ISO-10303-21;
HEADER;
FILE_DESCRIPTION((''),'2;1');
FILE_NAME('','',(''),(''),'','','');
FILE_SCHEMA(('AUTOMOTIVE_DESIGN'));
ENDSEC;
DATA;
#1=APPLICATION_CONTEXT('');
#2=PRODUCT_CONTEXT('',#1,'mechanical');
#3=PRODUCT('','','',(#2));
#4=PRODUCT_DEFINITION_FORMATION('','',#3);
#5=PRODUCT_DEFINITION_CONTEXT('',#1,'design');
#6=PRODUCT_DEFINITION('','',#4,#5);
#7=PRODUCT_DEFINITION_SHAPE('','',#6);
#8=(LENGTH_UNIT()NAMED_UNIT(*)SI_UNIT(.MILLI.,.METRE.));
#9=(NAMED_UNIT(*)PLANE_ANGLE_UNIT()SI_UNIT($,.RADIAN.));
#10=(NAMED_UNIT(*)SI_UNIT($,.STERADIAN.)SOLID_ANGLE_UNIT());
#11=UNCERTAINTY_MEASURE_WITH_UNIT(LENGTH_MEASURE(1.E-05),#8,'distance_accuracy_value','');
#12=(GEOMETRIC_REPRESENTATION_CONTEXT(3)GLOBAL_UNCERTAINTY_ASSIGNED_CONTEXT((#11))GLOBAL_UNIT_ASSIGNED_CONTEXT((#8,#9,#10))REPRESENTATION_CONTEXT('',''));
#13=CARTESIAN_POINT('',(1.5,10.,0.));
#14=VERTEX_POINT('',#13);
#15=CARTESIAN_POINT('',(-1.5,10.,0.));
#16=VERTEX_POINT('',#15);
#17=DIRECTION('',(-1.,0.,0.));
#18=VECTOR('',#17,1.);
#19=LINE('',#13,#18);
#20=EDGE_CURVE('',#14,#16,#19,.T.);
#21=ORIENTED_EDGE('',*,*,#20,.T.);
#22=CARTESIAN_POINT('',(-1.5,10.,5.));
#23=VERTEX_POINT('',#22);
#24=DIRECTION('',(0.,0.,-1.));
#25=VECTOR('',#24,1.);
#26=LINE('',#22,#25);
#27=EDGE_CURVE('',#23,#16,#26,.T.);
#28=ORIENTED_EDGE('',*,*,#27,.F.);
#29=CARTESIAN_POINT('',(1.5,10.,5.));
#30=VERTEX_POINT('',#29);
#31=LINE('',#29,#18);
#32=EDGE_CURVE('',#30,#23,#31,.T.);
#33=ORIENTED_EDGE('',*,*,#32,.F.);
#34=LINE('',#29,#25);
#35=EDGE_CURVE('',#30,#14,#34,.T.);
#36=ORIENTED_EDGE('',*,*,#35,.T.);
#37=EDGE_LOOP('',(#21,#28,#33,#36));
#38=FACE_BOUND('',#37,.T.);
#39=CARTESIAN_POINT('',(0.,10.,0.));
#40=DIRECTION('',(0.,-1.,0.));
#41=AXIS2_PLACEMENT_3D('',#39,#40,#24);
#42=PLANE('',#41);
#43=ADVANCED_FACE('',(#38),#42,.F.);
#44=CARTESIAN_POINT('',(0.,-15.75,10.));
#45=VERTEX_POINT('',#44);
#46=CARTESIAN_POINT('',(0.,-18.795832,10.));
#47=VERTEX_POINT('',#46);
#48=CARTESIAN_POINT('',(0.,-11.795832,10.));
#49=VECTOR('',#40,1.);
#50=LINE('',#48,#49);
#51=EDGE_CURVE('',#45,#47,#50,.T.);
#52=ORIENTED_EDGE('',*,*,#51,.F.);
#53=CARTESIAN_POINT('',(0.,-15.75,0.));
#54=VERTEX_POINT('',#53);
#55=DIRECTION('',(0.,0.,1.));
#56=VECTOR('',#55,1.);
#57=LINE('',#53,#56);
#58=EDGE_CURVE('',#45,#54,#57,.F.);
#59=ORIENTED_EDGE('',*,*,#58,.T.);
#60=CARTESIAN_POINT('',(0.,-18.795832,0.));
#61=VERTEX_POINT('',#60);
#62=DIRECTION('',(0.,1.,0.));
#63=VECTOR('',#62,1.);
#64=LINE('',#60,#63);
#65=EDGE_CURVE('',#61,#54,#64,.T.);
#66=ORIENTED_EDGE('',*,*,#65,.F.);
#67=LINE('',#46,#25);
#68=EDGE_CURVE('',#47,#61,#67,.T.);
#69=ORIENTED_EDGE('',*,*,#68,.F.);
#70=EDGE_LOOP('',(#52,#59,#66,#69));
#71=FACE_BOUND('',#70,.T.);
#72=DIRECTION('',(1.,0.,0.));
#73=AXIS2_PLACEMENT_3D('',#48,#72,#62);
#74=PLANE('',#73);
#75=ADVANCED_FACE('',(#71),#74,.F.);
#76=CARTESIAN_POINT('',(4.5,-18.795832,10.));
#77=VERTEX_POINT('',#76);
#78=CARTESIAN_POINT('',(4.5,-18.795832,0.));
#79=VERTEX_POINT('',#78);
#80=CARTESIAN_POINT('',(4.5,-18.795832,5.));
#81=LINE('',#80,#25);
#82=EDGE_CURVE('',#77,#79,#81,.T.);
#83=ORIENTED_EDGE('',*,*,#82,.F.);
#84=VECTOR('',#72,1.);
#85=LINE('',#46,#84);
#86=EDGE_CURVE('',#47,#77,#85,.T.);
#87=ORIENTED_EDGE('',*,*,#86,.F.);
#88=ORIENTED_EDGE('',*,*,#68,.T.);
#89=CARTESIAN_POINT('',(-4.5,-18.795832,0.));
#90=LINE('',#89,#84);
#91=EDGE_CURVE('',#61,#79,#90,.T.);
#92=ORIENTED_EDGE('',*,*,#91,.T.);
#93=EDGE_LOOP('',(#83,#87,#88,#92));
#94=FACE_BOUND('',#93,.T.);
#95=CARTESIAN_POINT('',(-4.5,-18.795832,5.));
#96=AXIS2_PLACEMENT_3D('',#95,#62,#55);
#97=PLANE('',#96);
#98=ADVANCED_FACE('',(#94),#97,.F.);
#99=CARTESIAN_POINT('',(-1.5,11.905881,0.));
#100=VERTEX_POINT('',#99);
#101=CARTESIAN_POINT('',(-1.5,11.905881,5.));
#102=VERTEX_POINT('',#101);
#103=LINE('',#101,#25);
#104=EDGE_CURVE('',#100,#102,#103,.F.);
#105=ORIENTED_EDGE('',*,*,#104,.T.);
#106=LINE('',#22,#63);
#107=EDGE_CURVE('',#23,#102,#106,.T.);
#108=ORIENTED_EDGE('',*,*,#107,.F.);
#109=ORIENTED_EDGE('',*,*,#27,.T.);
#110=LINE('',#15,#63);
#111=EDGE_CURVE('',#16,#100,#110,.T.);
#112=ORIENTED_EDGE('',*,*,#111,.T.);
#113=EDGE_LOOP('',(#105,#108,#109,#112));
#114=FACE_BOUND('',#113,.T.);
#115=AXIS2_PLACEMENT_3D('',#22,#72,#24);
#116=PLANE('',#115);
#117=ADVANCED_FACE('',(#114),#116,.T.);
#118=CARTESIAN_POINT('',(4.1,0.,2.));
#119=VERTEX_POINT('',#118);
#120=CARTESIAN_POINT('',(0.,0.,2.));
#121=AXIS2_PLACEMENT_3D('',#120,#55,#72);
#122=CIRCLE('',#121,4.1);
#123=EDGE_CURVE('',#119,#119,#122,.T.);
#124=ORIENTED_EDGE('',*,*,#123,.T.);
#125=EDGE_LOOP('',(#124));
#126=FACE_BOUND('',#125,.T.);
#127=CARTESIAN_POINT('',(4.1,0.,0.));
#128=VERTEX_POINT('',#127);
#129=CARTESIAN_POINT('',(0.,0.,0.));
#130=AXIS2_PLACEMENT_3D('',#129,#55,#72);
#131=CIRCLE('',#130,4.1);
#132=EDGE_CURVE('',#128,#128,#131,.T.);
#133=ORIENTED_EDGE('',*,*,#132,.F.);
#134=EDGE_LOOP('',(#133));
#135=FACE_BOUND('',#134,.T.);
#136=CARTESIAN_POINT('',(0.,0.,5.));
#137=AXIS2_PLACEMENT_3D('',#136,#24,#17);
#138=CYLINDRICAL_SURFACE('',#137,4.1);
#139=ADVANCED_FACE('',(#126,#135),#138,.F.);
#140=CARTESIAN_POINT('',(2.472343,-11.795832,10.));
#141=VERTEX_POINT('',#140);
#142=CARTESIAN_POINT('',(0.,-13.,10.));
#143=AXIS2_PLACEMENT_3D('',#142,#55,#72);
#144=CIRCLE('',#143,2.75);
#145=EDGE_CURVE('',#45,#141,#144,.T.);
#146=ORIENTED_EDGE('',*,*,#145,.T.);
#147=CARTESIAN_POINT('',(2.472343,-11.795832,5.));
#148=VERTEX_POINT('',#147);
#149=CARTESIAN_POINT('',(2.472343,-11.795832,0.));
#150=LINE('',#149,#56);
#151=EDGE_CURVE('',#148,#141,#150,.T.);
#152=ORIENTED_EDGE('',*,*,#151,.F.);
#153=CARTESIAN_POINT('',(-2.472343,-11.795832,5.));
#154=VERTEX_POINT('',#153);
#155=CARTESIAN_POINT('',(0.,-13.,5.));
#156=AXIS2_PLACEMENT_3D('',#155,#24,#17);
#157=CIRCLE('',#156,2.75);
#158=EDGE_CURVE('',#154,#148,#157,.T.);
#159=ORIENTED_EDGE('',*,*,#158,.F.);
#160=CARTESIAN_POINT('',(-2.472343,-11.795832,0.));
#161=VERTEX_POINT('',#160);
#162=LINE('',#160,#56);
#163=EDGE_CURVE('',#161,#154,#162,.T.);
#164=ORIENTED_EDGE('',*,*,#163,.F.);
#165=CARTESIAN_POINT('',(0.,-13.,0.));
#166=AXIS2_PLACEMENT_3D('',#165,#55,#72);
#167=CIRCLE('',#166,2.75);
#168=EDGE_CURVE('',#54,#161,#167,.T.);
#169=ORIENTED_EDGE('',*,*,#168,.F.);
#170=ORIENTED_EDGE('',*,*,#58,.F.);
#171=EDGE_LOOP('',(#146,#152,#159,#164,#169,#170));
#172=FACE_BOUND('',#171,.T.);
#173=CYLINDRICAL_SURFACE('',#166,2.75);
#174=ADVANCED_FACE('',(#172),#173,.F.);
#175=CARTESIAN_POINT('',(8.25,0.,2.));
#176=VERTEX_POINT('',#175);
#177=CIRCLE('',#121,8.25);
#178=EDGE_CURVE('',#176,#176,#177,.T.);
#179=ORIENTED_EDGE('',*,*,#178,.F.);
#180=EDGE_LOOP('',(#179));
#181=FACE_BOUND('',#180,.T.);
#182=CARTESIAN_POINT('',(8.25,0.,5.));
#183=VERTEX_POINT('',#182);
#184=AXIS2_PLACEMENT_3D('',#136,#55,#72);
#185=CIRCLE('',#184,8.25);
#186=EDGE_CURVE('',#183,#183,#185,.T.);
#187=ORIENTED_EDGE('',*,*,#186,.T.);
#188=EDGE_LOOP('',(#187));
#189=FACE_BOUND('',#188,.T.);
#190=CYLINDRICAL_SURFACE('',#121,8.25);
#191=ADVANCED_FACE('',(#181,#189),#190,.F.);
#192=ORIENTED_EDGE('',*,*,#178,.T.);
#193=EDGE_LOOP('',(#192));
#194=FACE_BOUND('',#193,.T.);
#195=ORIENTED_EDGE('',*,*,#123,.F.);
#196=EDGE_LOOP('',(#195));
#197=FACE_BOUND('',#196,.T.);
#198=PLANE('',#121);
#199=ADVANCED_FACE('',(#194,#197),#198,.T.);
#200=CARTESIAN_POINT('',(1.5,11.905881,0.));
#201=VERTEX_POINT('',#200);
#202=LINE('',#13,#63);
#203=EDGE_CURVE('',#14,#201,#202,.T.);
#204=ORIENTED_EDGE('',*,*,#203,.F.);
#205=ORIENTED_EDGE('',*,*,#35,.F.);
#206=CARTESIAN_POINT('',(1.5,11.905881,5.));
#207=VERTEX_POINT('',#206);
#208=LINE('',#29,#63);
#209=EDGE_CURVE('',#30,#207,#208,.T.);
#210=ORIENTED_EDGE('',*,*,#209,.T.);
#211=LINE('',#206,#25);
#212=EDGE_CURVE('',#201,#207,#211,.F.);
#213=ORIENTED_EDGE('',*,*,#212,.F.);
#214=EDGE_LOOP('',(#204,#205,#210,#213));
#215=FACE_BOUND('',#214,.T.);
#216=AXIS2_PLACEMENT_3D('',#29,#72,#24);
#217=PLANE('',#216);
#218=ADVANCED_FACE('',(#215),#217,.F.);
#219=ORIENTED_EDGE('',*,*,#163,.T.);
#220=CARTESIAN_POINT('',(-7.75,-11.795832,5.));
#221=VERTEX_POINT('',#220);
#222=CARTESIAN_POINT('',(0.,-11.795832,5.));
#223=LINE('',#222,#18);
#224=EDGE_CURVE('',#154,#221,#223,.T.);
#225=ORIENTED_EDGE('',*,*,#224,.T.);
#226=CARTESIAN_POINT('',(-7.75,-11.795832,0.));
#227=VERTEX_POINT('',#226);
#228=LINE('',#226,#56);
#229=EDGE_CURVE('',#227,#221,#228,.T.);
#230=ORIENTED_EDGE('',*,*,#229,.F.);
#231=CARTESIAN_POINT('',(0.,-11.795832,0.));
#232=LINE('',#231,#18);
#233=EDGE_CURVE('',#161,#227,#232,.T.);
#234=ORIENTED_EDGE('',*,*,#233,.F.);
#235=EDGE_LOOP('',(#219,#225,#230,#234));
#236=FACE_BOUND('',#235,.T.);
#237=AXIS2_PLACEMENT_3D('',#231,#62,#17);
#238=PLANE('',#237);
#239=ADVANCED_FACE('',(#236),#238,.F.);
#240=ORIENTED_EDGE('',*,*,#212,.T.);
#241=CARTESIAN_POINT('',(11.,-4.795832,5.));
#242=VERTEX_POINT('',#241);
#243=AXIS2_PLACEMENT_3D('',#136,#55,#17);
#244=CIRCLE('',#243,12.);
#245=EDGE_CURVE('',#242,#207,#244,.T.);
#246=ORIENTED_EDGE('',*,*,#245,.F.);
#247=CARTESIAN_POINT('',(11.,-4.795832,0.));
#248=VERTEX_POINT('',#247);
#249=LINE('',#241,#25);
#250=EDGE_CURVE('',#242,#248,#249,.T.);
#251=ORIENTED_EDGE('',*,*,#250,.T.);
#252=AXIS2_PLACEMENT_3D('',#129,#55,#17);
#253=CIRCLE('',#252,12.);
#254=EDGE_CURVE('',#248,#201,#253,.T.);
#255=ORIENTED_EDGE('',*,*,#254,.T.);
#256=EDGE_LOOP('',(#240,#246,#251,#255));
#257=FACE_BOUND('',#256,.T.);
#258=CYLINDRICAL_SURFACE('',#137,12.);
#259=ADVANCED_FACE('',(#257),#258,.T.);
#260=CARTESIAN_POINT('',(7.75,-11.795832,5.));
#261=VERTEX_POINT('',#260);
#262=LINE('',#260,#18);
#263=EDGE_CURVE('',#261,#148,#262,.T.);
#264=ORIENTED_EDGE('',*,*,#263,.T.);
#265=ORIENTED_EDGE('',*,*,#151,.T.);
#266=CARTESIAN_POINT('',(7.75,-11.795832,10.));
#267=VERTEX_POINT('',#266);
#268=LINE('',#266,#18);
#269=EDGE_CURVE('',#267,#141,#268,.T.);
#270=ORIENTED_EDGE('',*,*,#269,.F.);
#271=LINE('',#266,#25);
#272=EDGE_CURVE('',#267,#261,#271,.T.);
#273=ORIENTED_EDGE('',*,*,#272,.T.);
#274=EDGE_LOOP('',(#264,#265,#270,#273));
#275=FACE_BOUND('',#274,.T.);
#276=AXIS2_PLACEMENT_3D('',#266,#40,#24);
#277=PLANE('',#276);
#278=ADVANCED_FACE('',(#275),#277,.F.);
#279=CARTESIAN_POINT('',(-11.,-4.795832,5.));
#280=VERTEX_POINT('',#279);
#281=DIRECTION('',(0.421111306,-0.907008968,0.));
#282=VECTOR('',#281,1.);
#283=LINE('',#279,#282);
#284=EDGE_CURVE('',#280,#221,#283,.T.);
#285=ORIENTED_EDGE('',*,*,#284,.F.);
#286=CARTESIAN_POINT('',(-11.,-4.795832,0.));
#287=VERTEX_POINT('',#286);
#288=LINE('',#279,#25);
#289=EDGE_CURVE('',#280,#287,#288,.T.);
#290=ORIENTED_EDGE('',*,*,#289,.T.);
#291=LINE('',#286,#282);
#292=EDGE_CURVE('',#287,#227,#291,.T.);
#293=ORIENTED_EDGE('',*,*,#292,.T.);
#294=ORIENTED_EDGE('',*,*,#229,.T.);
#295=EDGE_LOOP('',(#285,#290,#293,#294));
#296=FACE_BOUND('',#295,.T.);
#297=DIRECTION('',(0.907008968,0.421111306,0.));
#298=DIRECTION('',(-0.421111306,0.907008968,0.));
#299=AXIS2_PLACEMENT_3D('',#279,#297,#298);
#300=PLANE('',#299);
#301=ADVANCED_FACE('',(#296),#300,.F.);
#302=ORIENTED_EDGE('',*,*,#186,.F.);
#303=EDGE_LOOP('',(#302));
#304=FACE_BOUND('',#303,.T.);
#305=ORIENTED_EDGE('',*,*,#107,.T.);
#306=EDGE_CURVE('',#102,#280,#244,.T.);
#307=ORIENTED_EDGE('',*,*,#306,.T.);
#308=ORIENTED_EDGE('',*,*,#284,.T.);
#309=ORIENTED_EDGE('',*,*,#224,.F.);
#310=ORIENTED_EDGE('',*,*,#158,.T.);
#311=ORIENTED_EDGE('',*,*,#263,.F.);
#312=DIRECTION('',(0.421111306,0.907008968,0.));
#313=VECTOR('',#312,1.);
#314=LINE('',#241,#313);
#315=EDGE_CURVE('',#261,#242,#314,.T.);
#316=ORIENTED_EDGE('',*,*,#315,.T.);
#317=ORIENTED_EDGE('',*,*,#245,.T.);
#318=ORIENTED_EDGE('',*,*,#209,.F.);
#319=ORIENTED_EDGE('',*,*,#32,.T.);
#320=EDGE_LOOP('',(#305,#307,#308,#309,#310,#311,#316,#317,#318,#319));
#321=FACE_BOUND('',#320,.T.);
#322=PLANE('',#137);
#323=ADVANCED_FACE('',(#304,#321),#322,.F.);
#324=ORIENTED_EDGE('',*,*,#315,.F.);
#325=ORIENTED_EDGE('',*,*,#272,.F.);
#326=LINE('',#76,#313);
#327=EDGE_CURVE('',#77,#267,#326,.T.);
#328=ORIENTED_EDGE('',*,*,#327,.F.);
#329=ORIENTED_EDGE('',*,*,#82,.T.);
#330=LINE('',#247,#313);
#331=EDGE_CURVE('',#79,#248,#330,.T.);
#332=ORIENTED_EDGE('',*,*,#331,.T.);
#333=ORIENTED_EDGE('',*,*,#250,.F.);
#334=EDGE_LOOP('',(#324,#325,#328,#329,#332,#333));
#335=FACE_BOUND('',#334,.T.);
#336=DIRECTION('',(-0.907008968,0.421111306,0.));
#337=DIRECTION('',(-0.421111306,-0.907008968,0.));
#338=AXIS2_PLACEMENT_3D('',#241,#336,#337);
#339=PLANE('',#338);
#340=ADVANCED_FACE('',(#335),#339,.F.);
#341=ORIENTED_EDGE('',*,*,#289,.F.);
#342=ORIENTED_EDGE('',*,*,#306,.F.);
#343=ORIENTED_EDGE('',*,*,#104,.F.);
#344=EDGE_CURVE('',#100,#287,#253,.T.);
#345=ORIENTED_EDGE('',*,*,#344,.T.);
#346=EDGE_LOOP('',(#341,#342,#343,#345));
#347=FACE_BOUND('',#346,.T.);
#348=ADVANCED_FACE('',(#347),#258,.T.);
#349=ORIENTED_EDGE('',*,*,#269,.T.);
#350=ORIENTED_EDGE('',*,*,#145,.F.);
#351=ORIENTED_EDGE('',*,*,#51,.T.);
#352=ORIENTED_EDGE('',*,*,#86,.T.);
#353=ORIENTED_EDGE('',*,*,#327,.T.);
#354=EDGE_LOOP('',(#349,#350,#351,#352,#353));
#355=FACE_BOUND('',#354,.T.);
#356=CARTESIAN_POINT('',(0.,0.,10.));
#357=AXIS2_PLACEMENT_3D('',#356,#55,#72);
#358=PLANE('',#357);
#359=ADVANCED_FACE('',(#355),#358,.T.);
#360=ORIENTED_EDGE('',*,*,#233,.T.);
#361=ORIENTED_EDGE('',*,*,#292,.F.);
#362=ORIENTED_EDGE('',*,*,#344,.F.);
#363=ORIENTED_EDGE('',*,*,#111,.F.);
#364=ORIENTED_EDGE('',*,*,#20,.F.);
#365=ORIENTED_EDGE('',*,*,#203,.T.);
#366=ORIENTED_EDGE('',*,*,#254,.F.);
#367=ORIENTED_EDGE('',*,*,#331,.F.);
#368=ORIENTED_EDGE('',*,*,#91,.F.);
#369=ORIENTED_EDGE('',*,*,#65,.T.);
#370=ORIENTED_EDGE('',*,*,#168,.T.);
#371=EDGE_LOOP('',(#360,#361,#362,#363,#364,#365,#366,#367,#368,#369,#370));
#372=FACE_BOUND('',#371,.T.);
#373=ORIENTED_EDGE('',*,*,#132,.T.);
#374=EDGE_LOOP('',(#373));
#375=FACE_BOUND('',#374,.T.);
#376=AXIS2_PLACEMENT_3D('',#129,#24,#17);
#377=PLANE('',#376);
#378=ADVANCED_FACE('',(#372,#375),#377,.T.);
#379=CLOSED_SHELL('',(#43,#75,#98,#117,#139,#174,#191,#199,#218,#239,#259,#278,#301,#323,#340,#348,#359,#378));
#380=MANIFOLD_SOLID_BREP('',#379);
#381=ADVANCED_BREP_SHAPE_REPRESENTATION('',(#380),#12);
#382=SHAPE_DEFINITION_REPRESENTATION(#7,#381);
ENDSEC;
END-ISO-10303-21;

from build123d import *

# Parameters (mm, degrees)
ESQUISSE1_R                  = 4.1
BOSS_EXTRU_1_DEPTH           = 5
ESQUISSE2_R                  = 8.25
ENL_V_MAT_EXTRU_1_DEPTH      = 3
ESQUISSE4_W                  = 3
ESQUISSE4_H                  = 5
ENL_V_MAT_EXTRU_2_DEPTH      = 2
BOSS_EXTRU_2_DEPTH           = 5
ENL_V_MAT_EXTRU_4_DEPTH      = 5
ESQUISSE8_R                  = 2.75
ENL_V_MAT_EXTRU_5_DEPTH      = 6
ENL_V_MAT_EXTRU_5_DEPTH_BACK = 6


with BuildPart() as part:
    # Esquisse1 → Boss.-Extru.1 (new body)
    with BuildSketch(Plane.XY):
        with BuildLine():
            Line((-11, -4.795831523), (-4.5, -18.795831523))
            Line((-4.5, -18.795831523), (4.5, -18.795831523))
            Line((4.5, -18.795831523), (11, -4.795831523))
            ThreePointArc((11, -4.795831523), (0, 12), (-11, -4.795831523))
        make_face()
        Circle(ESQUISSE1_R, mode=Mode.SUBTRACT)
    extrude(amount=BOSS_EXTRU_1_DEPTH)

    # Esquisse2 → Enlèv. mat.-Extru.1 (cut)
    with BuildSketch(Plane.XY.offset(5)):
        Circle(ESQUISSE2_R)
    extrude(amount=-ENL_V_MAT_EXTRU_1_DEPTH, mode=Mode.SUBTRACT)

    # Esquisse4 → Enlèv. mat.-Extru.2 (cut)
    with BuildSketch(Plane(origin=(0, 12, 0), x_dir=(1, 0, 0), z_dir=(0, 1, 0))):
        with Locations((0, -2.5)):
            Rectangle(ESQUISSE4_W, ESQUISSE4_H)
    extrude(amount=-ENL_V_MAT_EXTRU_2_DEPTH, mode=Mode.SUBTRACT)

    # Esquisse6 → Boss.-Extru.2 (add)
    with BuildSketch(Plane.XY.offset(5)):
        Polygon((0, -18.795831523), (4.5, -18.795831523), (7.75, -11.795831523), (0, -11.795831523), align=None)
    extrude(amount=BOSS_EXTRU_2_DEPTH)

    # Esquisse7 → Enlèv. mat.-Extru.4 (cut)
    with BuildSketch(Plane.XY.offset(5)):
        Polygon((0, -18.795831523), (0, -11.795831523), (-7.75, -11.795831523), (-4.5, -18.795831523), align=None)
    extrude(amount=-ENL_V_MAT_EXTRU_4_DEPTH, mode=Mode.SUBTRACT)

    # Esquisse8 → Enlèv. mat.-Extru.5 (cut, two sides)
    with BuildSketch(Plane.XY.offset(5)) as enl_v_mat_extru_5_sk:
        with Locations((0, -13)):
            Circle(ESQUISSE8_R)
    extrude(amount=ENL_V_MAT_EXTRU_5_DEPTH, mode=Mode.SUBTRACT)
    extrude(enl_v_mat_extru_5_sk.sketch, amount=-ENL_V_MAT_EXTRU_5_DEPTH_BACK, mode=Mode.SUBTRACT)


solid = part.part
